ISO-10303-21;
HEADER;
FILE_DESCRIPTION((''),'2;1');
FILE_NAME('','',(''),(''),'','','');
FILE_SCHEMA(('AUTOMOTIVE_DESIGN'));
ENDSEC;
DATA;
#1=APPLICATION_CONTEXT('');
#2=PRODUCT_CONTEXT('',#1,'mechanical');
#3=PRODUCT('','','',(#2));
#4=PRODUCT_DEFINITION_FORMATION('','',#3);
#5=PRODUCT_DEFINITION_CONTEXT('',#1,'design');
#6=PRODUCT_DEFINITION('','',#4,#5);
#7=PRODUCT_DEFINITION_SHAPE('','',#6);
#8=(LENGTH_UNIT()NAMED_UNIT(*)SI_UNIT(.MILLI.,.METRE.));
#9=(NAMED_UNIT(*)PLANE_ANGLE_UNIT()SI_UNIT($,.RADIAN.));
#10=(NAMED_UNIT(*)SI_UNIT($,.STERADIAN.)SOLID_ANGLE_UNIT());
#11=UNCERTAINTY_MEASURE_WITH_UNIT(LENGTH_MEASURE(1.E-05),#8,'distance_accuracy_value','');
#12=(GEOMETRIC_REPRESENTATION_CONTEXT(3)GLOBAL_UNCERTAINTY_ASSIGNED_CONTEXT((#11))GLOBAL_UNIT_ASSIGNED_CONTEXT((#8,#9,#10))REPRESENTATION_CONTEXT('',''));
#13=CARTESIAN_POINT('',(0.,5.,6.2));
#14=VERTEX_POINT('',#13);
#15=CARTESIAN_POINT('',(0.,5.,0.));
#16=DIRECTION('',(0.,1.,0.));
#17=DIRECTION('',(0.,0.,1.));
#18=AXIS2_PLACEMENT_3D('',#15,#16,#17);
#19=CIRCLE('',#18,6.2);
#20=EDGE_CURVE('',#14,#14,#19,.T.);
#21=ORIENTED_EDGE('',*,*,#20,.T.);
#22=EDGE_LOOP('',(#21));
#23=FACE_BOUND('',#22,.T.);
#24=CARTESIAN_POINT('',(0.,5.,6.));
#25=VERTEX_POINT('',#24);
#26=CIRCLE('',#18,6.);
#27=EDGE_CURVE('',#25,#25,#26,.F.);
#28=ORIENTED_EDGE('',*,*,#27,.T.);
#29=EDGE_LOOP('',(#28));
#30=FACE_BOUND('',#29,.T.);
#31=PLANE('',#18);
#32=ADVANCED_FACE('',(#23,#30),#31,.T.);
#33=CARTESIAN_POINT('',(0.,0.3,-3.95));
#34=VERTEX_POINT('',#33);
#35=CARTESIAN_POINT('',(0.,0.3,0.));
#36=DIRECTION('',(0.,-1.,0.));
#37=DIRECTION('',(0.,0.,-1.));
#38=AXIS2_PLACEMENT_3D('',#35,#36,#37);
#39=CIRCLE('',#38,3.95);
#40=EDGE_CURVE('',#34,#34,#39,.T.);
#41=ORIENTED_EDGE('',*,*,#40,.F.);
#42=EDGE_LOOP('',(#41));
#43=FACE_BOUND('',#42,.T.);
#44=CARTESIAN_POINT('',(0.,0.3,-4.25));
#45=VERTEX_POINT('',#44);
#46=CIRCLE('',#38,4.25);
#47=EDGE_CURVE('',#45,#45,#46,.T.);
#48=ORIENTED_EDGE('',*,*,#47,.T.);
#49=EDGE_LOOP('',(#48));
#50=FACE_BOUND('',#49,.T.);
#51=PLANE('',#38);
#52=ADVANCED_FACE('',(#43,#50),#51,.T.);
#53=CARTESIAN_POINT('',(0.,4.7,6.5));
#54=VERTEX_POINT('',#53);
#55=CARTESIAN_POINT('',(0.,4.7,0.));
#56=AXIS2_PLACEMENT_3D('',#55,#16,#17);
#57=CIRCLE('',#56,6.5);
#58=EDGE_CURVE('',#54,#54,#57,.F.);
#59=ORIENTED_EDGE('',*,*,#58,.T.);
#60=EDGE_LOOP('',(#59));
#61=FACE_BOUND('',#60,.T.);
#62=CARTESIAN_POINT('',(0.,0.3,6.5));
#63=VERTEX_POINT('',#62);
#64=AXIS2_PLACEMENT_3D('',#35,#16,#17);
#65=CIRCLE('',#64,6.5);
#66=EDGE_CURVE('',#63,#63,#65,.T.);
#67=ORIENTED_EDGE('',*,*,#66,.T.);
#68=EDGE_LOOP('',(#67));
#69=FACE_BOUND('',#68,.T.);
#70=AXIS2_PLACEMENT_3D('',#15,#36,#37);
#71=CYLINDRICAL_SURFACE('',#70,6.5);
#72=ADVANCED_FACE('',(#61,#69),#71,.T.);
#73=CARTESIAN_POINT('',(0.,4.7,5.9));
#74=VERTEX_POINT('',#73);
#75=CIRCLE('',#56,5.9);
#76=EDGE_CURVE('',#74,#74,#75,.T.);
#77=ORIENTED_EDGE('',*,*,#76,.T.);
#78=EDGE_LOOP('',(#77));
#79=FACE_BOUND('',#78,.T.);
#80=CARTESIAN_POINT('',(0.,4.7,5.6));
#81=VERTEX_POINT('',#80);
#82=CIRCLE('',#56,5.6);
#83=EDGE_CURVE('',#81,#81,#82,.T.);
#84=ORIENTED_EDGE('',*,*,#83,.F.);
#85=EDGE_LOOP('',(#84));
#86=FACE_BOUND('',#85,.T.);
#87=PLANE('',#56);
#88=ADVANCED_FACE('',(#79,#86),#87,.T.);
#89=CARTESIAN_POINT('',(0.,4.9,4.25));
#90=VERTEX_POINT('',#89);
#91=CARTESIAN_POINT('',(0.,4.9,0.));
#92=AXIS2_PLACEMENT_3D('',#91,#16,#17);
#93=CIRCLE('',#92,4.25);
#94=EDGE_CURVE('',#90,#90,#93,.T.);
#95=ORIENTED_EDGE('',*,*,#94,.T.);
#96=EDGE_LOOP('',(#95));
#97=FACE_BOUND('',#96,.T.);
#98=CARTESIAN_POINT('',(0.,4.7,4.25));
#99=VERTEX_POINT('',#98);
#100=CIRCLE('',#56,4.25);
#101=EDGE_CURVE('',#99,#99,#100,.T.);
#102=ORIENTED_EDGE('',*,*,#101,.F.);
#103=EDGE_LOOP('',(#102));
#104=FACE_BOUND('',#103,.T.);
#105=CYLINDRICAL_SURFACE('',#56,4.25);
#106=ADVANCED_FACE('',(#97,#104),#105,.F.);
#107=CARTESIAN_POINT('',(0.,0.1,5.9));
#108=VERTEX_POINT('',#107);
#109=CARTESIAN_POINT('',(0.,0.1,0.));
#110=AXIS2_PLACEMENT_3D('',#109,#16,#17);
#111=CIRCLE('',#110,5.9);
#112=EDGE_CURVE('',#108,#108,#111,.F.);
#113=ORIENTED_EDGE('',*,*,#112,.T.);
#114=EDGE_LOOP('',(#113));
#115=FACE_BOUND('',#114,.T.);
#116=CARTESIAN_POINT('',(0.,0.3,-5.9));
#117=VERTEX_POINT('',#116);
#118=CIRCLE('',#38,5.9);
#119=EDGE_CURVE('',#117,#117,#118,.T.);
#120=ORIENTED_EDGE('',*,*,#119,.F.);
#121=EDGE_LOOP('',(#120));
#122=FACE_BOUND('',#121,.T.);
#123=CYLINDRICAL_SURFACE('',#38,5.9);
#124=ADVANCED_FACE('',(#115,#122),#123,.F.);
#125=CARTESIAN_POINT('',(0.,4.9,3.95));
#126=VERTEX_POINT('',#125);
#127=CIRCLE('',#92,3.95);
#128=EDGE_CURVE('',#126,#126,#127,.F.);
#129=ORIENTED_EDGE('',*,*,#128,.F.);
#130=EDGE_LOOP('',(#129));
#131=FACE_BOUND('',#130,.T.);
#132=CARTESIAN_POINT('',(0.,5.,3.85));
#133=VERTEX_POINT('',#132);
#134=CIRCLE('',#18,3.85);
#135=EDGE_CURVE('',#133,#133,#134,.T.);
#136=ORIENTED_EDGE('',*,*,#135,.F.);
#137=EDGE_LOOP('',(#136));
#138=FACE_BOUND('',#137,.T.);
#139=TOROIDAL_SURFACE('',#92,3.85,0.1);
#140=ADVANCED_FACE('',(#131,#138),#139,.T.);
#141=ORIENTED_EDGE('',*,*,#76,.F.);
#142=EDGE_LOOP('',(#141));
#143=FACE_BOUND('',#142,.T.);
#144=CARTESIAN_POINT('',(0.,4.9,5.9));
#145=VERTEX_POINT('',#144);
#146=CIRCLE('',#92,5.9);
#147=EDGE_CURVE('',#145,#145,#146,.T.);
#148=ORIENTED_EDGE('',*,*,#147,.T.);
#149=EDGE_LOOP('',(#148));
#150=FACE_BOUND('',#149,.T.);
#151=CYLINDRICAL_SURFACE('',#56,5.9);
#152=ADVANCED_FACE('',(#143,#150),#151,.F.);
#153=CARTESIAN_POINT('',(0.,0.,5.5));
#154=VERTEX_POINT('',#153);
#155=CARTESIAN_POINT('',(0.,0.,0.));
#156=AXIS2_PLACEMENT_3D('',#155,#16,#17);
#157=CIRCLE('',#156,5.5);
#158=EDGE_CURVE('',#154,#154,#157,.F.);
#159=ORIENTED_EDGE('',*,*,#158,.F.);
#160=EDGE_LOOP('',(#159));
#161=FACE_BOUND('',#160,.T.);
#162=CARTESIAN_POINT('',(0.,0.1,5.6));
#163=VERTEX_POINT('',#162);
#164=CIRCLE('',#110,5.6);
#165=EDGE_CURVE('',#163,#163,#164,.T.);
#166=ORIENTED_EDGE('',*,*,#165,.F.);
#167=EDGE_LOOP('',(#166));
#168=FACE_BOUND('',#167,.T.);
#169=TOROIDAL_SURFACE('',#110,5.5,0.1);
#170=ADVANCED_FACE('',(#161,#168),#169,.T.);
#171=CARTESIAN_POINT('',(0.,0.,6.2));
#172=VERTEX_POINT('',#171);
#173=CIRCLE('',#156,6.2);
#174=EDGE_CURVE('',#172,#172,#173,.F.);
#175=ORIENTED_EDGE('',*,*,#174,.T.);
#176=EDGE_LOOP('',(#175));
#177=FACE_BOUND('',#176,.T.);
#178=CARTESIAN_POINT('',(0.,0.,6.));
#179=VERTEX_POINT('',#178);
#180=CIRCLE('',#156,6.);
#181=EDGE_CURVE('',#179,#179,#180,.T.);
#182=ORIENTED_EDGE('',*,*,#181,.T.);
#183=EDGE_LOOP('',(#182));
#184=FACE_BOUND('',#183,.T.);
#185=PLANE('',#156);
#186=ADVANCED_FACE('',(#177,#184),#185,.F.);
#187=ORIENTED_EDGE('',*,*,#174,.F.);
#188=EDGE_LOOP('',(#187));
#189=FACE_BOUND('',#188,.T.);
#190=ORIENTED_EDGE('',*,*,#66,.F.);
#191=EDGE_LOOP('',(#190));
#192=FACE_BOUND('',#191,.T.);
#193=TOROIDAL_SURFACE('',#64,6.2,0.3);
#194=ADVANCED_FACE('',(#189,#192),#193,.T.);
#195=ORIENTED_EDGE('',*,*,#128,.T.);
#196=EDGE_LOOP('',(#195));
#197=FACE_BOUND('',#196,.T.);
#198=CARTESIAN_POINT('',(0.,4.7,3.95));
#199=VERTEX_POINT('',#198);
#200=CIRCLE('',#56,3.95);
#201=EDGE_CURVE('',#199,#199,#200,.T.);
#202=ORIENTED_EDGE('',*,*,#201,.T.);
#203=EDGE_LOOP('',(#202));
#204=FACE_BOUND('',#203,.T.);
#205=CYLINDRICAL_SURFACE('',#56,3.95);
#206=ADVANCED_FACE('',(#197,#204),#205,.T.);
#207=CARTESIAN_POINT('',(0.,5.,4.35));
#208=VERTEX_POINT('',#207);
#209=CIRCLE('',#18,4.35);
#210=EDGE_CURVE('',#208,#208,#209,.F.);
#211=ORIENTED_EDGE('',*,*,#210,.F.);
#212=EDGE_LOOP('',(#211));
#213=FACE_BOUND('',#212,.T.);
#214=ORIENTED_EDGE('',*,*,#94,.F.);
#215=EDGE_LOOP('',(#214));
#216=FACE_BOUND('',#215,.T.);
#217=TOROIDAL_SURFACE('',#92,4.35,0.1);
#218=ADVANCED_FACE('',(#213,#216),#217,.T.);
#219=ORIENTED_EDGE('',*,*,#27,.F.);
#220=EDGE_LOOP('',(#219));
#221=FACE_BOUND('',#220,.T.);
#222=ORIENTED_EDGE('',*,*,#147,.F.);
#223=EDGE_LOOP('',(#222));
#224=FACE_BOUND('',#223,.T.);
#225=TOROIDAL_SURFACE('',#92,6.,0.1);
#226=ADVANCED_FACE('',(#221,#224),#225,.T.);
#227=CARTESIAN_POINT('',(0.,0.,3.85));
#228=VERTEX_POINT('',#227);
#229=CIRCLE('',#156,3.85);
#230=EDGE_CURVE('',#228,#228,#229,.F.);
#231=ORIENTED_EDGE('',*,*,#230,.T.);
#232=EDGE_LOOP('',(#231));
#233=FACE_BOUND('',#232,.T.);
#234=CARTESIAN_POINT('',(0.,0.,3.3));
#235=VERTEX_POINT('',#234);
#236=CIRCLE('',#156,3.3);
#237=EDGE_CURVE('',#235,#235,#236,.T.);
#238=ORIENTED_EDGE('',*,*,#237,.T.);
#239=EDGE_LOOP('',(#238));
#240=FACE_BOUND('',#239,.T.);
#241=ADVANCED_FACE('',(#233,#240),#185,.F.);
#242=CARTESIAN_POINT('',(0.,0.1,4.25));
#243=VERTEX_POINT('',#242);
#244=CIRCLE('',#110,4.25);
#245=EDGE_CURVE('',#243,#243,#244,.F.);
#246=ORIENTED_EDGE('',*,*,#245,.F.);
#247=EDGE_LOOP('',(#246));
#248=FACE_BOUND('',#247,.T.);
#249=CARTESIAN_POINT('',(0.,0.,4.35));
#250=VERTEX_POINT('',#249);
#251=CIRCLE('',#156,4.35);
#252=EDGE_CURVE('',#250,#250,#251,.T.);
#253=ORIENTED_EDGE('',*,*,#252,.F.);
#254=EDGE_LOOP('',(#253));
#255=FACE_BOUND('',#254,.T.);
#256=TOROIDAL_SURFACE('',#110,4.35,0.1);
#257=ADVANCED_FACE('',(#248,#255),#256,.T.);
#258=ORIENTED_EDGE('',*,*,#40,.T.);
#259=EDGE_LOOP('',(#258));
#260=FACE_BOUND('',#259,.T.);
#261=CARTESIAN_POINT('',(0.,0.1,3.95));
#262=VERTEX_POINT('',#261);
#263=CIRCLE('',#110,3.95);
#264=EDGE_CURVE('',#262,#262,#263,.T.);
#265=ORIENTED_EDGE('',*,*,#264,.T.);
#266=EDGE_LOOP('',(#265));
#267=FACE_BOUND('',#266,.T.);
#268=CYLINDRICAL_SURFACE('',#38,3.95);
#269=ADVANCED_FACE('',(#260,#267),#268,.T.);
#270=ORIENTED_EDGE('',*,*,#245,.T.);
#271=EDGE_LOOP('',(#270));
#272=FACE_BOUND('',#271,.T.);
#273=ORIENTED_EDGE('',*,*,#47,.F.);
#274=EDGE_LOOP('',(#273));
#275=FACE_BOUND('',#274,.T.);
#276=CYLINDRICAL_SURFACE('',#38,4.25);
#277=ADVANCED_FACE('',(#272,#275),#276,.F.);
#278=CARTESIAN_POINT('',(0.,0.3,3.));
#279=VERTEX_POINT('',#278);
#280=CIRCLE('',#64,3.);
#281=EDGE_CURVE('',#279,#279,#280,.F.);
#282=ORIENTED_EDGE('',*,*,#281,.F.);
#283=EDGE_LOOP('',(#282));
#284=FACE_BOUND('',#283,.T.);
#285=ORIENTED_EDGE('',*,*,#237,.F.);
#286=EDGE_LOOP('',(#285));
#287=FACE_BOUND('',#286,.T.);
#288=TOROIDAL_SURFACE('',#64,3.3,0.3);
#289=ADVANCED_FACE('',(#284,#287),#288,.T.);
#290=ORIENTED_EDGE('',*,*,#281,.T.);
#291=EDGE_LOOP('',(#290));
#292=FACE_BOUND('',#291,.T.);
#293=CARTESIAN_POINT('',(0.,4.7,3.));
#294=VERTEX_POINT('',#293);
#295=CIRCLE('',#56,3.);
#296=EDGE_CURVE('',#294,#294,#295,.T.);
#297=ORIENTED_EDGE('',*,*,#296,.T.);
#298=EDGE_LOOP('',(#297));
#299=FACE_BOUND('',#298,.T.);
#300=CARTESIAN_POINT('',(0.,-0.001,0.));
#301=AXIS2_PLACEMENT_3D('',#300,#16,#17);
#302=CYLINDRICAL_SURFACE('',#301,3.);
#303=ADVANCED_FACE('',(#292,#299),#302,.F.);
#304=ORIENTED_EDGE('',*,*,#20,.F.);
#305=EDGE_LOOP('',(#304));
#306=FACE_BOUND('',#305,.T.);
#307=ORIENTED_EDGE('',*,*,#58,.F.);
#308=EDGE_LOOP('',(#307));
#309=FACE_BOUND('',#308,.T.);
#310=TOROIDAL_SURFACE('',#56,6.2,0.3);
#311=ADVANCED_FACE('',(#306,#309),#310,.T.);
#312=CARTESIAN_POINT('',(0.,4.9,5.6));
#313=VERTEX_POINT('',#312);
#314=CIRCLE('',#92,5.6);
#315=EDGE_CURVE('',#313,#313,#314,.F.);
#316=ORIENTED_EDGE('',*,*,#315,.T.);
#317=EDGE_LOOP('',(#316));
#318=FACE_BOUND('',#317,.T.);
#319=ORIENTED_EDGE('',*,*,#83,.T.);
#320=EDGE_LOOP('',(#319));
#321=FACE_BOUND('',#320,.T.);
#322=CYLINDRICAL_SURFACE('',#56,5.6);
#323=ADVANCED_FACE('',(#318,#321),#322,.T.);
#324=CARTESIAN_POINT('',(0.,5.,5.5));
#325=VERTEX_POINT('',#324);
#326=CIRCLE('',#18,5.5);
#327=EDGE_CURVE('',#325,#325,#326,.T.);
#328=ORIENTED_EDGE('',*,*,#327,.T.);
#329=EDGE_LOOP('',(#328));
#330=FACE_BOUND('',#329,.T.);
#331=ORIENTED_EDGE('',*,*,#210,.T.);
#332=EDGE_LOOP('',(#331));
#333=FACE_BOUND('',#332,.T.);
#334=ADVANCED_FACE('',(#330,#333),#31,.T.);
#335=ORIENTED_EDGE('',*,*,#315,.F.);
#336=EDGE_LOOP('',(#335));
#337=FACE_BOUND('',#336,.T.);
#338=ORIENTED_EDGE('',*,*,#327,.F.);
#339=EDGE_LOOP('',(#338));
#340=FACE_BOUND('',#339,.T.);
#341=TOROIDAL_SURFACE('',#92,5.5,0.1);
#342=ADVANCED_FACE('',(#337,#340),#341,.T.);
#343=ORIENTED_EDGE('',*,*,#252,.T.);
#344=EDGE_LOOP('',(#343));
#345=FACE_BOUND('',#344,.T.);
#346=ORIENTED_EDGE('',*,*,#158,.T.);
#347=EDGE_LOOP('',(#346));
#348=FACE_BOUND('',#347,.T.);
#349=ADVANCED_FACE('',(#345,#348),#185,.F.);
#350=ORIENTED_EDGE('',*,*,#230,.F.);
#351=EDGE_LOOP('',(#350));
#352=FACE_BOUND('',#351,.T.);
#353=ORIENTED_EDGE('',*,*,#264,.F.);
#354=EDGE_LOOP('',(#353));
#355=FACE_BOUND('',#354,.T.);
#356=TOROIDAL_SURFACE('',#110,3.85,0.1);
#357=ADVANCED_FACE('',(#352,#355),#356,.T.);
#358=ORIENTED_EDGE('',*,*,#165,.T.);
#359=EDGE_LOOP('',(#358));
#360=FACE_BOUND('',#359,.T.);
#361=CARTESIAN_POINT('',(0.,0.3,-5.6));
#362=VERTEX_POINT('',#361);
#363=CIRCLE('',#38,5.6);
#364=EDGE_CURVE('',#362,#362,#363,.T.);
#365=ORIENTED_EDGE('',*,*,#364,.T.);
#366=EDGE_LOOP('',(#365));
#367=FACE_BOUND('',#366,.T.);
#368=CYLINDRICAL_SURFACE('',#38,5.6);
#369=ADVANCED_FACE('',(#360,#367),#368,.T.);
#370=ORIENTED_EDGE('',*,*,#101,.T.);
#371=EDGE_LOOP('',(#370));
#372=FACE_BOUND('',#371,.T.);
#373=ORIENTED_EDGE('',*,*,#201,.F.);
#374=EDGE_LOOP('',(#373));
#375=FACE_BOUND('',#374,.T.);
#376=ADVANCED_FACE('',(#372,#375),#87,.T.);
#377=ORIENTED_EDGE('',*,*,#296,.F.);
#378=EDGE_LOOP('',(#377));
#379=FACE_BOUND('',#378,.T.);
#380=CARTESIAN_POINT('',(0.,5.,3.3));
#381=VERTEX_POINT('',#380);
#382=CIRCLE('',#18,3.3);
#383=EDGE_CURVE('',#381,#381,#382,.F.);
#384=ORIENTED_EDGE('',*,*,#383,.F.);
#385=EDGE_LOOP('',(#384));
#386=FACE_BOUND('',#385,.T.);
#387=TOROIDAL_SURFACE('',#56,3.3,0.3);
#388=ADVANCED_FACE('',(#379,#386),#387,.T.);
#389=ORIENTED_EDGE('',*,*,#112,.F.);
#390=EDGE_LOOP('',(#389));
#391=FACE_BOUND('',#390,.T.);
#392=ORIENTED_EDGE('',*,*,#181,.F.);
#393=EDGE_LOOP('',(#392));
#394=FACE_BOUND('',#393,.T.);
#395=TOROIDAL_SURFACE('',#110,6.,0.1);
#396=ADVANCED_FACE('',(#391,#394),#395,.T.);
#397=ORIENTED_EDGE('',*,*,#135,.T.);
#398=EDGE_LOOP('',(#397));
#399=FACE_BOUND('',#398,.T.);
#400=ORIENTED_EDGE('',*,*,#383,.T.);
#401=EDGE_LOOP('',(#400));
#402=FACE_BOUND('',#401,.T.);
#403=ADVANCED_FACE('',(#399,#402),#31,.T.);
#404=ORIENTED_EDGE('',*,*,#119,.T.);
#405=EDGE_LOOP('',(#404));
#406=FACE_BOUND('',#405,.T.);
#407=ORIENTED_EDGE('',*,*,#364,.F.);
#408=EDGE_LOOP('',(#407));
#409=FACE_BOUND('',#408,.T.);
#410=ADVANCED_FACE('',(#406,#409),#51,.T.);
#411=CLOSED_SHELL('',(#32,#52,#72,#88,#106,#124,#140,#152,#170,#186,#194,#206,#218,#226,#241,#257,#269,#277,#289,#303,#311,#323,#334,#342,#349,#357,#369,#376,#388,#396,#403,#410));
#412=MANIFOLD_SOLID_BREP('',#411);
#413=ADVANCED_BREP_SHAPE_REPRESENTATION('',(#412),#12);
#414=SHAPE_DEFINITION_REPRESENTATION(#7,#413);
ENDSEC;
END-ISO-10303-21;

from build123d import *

# Parameters (mm, degrees)
SKETCH1_R           = 6.5
BOSS_EXTRUDE1_DEPTH = 5
CUT_EXTRUDE1_REACH  = 12.464
SKETCH2_R           = 3
SKETCH3_R           = 5.9
SKETCH3_R_2         = 5.6
SKETCH3_R_3         = 4.25
SKETCH3_R_4         = 3.95
CUT_EXTRUDE2_DEPTH  = 0.3
SKETCH4_R           = 5.9
SKETCH4_R_2         = 5.6
SKETCH4_R_3         = 4.25
SKETCH4_R_4         = 3.95
CUT_EXTRUDE3_DEPTH  = 0.3
FILLET1_R           = 0.1
FILLET2_R           = 0.3


with BuildPart() as part:
    # Sketch1 → Boss-Extrude1 (new body)
    with BuildSketch(Plane(origin=(0, 0, 0), x_dir=(1, 0, 0), z_dir=(0, 1, 0))):
        with Locations(Location((0, 0, 0), (0, 0, 270))):
            Circle(SKETCH1_R)
    extrude(amount=BOSS_EXTRUDE1_DEPTH)

    # Sketch2 → Cut-Extrude1 (cut, up to next)
    with BuildSketch(Plane(origin=(0, 5, 0), x_dir=(1, 0, 0), z_dir=(0, 1, 0)), mode=Mode.PRIVATE) as cut_extrude1_sk1:
        with Locations(Location((0, 0, 0), (0, 0, 270))):
            Circle(SKETCH2_R)
    cut_extrude1_tool1 = extrude(cut_extrude1_sk1.sketch, amount=-CUT_EXTRUDE1_REACH, mode=Mode.PRIVATE) & part.part
    add(cut_extrude1_tool1.solids().sort_by_distance((0, 5, 0))[0], mode=Mode.SUBTRACT)

    # Sketch3 → Cut-Extrude2 (cut)
    with BuildSketch(Plane(origin=(0, 5, 0), x_dir=(1, 0, 0), z_dir=(0, 1, 0))):
        with Locations(Location((0, 0, 0), (0, 0, 270))):
            Circle(SKETCH3_R)
        with Locations(Location((0, 0, 0), (0, 0, 270))):
            Circle(SKETCH3_R_2, mode=Mode.SUBTRACT)
        with Locations(Location((0, 0, 0), (0, 0, 270))):
            Circle(SKETCH3_R_3)
        with Locations(Location((0, 0, 0), (0, 0, 270))):
            Circle(SKETCH3_R_4, mode=Mode.SUBTRACT)
    extrude(amount=-CUT_EXTRUDE2_DEPTH, mode=Mode.SUBTRACT)

    # Sketch4 → Cut-Extrude3 (cut)
    with BuildSketch(Plane.XZ):
        with Locations(Location((0, 0, 0), (0, 0, 90))):
            Circle(SKETCH4_R)
        with Locations(Location((0, 0, 0), (0, 0, 90))):
            Circle(SKETCH4_R_2, mode=Mode.SUBTRACT)
        with Locations(Location((0, 0, 0), (0, 0, 90))):
            Circle(SKETCH4_R_3)
        with Locations(Location((0, 0, 0), (0, 0, 90))):
            Circle(SKETCH4_R_4, mode=Mode.SUBTRACT)
    extrude(amount=-CUT_EXTRUDE3_DEPTH, mode=Mode.SUBTRACT)

    # Fillet1
    fillet1_edges = [part.edges().sort_by_distance(p)[0] for p in [
        (0, 5, -3.95),
        (0, 5, -4.25),
        (0, 5, -5.6),
        (0, 5, -5.9),
        (0, 0, -5.6),
        (0, 0, -5.9),
        (0, 0, -3.95),
        (0, 0, -4.25),
    ]]
    fillet(fillet1_edges, radius=FILLET1_R)

    # Fillet2
    fillet2_edges = [part.edges().sort_by_distance(p)[0] for p in [
        (0, 0, -6.5),
        (0, 5, -6.5),
        (0, 5, -3),
        (0, 0, -3),
    ]]
    fillet(fillet2_edges, radius=FILLET2_R)


solid = part.part
